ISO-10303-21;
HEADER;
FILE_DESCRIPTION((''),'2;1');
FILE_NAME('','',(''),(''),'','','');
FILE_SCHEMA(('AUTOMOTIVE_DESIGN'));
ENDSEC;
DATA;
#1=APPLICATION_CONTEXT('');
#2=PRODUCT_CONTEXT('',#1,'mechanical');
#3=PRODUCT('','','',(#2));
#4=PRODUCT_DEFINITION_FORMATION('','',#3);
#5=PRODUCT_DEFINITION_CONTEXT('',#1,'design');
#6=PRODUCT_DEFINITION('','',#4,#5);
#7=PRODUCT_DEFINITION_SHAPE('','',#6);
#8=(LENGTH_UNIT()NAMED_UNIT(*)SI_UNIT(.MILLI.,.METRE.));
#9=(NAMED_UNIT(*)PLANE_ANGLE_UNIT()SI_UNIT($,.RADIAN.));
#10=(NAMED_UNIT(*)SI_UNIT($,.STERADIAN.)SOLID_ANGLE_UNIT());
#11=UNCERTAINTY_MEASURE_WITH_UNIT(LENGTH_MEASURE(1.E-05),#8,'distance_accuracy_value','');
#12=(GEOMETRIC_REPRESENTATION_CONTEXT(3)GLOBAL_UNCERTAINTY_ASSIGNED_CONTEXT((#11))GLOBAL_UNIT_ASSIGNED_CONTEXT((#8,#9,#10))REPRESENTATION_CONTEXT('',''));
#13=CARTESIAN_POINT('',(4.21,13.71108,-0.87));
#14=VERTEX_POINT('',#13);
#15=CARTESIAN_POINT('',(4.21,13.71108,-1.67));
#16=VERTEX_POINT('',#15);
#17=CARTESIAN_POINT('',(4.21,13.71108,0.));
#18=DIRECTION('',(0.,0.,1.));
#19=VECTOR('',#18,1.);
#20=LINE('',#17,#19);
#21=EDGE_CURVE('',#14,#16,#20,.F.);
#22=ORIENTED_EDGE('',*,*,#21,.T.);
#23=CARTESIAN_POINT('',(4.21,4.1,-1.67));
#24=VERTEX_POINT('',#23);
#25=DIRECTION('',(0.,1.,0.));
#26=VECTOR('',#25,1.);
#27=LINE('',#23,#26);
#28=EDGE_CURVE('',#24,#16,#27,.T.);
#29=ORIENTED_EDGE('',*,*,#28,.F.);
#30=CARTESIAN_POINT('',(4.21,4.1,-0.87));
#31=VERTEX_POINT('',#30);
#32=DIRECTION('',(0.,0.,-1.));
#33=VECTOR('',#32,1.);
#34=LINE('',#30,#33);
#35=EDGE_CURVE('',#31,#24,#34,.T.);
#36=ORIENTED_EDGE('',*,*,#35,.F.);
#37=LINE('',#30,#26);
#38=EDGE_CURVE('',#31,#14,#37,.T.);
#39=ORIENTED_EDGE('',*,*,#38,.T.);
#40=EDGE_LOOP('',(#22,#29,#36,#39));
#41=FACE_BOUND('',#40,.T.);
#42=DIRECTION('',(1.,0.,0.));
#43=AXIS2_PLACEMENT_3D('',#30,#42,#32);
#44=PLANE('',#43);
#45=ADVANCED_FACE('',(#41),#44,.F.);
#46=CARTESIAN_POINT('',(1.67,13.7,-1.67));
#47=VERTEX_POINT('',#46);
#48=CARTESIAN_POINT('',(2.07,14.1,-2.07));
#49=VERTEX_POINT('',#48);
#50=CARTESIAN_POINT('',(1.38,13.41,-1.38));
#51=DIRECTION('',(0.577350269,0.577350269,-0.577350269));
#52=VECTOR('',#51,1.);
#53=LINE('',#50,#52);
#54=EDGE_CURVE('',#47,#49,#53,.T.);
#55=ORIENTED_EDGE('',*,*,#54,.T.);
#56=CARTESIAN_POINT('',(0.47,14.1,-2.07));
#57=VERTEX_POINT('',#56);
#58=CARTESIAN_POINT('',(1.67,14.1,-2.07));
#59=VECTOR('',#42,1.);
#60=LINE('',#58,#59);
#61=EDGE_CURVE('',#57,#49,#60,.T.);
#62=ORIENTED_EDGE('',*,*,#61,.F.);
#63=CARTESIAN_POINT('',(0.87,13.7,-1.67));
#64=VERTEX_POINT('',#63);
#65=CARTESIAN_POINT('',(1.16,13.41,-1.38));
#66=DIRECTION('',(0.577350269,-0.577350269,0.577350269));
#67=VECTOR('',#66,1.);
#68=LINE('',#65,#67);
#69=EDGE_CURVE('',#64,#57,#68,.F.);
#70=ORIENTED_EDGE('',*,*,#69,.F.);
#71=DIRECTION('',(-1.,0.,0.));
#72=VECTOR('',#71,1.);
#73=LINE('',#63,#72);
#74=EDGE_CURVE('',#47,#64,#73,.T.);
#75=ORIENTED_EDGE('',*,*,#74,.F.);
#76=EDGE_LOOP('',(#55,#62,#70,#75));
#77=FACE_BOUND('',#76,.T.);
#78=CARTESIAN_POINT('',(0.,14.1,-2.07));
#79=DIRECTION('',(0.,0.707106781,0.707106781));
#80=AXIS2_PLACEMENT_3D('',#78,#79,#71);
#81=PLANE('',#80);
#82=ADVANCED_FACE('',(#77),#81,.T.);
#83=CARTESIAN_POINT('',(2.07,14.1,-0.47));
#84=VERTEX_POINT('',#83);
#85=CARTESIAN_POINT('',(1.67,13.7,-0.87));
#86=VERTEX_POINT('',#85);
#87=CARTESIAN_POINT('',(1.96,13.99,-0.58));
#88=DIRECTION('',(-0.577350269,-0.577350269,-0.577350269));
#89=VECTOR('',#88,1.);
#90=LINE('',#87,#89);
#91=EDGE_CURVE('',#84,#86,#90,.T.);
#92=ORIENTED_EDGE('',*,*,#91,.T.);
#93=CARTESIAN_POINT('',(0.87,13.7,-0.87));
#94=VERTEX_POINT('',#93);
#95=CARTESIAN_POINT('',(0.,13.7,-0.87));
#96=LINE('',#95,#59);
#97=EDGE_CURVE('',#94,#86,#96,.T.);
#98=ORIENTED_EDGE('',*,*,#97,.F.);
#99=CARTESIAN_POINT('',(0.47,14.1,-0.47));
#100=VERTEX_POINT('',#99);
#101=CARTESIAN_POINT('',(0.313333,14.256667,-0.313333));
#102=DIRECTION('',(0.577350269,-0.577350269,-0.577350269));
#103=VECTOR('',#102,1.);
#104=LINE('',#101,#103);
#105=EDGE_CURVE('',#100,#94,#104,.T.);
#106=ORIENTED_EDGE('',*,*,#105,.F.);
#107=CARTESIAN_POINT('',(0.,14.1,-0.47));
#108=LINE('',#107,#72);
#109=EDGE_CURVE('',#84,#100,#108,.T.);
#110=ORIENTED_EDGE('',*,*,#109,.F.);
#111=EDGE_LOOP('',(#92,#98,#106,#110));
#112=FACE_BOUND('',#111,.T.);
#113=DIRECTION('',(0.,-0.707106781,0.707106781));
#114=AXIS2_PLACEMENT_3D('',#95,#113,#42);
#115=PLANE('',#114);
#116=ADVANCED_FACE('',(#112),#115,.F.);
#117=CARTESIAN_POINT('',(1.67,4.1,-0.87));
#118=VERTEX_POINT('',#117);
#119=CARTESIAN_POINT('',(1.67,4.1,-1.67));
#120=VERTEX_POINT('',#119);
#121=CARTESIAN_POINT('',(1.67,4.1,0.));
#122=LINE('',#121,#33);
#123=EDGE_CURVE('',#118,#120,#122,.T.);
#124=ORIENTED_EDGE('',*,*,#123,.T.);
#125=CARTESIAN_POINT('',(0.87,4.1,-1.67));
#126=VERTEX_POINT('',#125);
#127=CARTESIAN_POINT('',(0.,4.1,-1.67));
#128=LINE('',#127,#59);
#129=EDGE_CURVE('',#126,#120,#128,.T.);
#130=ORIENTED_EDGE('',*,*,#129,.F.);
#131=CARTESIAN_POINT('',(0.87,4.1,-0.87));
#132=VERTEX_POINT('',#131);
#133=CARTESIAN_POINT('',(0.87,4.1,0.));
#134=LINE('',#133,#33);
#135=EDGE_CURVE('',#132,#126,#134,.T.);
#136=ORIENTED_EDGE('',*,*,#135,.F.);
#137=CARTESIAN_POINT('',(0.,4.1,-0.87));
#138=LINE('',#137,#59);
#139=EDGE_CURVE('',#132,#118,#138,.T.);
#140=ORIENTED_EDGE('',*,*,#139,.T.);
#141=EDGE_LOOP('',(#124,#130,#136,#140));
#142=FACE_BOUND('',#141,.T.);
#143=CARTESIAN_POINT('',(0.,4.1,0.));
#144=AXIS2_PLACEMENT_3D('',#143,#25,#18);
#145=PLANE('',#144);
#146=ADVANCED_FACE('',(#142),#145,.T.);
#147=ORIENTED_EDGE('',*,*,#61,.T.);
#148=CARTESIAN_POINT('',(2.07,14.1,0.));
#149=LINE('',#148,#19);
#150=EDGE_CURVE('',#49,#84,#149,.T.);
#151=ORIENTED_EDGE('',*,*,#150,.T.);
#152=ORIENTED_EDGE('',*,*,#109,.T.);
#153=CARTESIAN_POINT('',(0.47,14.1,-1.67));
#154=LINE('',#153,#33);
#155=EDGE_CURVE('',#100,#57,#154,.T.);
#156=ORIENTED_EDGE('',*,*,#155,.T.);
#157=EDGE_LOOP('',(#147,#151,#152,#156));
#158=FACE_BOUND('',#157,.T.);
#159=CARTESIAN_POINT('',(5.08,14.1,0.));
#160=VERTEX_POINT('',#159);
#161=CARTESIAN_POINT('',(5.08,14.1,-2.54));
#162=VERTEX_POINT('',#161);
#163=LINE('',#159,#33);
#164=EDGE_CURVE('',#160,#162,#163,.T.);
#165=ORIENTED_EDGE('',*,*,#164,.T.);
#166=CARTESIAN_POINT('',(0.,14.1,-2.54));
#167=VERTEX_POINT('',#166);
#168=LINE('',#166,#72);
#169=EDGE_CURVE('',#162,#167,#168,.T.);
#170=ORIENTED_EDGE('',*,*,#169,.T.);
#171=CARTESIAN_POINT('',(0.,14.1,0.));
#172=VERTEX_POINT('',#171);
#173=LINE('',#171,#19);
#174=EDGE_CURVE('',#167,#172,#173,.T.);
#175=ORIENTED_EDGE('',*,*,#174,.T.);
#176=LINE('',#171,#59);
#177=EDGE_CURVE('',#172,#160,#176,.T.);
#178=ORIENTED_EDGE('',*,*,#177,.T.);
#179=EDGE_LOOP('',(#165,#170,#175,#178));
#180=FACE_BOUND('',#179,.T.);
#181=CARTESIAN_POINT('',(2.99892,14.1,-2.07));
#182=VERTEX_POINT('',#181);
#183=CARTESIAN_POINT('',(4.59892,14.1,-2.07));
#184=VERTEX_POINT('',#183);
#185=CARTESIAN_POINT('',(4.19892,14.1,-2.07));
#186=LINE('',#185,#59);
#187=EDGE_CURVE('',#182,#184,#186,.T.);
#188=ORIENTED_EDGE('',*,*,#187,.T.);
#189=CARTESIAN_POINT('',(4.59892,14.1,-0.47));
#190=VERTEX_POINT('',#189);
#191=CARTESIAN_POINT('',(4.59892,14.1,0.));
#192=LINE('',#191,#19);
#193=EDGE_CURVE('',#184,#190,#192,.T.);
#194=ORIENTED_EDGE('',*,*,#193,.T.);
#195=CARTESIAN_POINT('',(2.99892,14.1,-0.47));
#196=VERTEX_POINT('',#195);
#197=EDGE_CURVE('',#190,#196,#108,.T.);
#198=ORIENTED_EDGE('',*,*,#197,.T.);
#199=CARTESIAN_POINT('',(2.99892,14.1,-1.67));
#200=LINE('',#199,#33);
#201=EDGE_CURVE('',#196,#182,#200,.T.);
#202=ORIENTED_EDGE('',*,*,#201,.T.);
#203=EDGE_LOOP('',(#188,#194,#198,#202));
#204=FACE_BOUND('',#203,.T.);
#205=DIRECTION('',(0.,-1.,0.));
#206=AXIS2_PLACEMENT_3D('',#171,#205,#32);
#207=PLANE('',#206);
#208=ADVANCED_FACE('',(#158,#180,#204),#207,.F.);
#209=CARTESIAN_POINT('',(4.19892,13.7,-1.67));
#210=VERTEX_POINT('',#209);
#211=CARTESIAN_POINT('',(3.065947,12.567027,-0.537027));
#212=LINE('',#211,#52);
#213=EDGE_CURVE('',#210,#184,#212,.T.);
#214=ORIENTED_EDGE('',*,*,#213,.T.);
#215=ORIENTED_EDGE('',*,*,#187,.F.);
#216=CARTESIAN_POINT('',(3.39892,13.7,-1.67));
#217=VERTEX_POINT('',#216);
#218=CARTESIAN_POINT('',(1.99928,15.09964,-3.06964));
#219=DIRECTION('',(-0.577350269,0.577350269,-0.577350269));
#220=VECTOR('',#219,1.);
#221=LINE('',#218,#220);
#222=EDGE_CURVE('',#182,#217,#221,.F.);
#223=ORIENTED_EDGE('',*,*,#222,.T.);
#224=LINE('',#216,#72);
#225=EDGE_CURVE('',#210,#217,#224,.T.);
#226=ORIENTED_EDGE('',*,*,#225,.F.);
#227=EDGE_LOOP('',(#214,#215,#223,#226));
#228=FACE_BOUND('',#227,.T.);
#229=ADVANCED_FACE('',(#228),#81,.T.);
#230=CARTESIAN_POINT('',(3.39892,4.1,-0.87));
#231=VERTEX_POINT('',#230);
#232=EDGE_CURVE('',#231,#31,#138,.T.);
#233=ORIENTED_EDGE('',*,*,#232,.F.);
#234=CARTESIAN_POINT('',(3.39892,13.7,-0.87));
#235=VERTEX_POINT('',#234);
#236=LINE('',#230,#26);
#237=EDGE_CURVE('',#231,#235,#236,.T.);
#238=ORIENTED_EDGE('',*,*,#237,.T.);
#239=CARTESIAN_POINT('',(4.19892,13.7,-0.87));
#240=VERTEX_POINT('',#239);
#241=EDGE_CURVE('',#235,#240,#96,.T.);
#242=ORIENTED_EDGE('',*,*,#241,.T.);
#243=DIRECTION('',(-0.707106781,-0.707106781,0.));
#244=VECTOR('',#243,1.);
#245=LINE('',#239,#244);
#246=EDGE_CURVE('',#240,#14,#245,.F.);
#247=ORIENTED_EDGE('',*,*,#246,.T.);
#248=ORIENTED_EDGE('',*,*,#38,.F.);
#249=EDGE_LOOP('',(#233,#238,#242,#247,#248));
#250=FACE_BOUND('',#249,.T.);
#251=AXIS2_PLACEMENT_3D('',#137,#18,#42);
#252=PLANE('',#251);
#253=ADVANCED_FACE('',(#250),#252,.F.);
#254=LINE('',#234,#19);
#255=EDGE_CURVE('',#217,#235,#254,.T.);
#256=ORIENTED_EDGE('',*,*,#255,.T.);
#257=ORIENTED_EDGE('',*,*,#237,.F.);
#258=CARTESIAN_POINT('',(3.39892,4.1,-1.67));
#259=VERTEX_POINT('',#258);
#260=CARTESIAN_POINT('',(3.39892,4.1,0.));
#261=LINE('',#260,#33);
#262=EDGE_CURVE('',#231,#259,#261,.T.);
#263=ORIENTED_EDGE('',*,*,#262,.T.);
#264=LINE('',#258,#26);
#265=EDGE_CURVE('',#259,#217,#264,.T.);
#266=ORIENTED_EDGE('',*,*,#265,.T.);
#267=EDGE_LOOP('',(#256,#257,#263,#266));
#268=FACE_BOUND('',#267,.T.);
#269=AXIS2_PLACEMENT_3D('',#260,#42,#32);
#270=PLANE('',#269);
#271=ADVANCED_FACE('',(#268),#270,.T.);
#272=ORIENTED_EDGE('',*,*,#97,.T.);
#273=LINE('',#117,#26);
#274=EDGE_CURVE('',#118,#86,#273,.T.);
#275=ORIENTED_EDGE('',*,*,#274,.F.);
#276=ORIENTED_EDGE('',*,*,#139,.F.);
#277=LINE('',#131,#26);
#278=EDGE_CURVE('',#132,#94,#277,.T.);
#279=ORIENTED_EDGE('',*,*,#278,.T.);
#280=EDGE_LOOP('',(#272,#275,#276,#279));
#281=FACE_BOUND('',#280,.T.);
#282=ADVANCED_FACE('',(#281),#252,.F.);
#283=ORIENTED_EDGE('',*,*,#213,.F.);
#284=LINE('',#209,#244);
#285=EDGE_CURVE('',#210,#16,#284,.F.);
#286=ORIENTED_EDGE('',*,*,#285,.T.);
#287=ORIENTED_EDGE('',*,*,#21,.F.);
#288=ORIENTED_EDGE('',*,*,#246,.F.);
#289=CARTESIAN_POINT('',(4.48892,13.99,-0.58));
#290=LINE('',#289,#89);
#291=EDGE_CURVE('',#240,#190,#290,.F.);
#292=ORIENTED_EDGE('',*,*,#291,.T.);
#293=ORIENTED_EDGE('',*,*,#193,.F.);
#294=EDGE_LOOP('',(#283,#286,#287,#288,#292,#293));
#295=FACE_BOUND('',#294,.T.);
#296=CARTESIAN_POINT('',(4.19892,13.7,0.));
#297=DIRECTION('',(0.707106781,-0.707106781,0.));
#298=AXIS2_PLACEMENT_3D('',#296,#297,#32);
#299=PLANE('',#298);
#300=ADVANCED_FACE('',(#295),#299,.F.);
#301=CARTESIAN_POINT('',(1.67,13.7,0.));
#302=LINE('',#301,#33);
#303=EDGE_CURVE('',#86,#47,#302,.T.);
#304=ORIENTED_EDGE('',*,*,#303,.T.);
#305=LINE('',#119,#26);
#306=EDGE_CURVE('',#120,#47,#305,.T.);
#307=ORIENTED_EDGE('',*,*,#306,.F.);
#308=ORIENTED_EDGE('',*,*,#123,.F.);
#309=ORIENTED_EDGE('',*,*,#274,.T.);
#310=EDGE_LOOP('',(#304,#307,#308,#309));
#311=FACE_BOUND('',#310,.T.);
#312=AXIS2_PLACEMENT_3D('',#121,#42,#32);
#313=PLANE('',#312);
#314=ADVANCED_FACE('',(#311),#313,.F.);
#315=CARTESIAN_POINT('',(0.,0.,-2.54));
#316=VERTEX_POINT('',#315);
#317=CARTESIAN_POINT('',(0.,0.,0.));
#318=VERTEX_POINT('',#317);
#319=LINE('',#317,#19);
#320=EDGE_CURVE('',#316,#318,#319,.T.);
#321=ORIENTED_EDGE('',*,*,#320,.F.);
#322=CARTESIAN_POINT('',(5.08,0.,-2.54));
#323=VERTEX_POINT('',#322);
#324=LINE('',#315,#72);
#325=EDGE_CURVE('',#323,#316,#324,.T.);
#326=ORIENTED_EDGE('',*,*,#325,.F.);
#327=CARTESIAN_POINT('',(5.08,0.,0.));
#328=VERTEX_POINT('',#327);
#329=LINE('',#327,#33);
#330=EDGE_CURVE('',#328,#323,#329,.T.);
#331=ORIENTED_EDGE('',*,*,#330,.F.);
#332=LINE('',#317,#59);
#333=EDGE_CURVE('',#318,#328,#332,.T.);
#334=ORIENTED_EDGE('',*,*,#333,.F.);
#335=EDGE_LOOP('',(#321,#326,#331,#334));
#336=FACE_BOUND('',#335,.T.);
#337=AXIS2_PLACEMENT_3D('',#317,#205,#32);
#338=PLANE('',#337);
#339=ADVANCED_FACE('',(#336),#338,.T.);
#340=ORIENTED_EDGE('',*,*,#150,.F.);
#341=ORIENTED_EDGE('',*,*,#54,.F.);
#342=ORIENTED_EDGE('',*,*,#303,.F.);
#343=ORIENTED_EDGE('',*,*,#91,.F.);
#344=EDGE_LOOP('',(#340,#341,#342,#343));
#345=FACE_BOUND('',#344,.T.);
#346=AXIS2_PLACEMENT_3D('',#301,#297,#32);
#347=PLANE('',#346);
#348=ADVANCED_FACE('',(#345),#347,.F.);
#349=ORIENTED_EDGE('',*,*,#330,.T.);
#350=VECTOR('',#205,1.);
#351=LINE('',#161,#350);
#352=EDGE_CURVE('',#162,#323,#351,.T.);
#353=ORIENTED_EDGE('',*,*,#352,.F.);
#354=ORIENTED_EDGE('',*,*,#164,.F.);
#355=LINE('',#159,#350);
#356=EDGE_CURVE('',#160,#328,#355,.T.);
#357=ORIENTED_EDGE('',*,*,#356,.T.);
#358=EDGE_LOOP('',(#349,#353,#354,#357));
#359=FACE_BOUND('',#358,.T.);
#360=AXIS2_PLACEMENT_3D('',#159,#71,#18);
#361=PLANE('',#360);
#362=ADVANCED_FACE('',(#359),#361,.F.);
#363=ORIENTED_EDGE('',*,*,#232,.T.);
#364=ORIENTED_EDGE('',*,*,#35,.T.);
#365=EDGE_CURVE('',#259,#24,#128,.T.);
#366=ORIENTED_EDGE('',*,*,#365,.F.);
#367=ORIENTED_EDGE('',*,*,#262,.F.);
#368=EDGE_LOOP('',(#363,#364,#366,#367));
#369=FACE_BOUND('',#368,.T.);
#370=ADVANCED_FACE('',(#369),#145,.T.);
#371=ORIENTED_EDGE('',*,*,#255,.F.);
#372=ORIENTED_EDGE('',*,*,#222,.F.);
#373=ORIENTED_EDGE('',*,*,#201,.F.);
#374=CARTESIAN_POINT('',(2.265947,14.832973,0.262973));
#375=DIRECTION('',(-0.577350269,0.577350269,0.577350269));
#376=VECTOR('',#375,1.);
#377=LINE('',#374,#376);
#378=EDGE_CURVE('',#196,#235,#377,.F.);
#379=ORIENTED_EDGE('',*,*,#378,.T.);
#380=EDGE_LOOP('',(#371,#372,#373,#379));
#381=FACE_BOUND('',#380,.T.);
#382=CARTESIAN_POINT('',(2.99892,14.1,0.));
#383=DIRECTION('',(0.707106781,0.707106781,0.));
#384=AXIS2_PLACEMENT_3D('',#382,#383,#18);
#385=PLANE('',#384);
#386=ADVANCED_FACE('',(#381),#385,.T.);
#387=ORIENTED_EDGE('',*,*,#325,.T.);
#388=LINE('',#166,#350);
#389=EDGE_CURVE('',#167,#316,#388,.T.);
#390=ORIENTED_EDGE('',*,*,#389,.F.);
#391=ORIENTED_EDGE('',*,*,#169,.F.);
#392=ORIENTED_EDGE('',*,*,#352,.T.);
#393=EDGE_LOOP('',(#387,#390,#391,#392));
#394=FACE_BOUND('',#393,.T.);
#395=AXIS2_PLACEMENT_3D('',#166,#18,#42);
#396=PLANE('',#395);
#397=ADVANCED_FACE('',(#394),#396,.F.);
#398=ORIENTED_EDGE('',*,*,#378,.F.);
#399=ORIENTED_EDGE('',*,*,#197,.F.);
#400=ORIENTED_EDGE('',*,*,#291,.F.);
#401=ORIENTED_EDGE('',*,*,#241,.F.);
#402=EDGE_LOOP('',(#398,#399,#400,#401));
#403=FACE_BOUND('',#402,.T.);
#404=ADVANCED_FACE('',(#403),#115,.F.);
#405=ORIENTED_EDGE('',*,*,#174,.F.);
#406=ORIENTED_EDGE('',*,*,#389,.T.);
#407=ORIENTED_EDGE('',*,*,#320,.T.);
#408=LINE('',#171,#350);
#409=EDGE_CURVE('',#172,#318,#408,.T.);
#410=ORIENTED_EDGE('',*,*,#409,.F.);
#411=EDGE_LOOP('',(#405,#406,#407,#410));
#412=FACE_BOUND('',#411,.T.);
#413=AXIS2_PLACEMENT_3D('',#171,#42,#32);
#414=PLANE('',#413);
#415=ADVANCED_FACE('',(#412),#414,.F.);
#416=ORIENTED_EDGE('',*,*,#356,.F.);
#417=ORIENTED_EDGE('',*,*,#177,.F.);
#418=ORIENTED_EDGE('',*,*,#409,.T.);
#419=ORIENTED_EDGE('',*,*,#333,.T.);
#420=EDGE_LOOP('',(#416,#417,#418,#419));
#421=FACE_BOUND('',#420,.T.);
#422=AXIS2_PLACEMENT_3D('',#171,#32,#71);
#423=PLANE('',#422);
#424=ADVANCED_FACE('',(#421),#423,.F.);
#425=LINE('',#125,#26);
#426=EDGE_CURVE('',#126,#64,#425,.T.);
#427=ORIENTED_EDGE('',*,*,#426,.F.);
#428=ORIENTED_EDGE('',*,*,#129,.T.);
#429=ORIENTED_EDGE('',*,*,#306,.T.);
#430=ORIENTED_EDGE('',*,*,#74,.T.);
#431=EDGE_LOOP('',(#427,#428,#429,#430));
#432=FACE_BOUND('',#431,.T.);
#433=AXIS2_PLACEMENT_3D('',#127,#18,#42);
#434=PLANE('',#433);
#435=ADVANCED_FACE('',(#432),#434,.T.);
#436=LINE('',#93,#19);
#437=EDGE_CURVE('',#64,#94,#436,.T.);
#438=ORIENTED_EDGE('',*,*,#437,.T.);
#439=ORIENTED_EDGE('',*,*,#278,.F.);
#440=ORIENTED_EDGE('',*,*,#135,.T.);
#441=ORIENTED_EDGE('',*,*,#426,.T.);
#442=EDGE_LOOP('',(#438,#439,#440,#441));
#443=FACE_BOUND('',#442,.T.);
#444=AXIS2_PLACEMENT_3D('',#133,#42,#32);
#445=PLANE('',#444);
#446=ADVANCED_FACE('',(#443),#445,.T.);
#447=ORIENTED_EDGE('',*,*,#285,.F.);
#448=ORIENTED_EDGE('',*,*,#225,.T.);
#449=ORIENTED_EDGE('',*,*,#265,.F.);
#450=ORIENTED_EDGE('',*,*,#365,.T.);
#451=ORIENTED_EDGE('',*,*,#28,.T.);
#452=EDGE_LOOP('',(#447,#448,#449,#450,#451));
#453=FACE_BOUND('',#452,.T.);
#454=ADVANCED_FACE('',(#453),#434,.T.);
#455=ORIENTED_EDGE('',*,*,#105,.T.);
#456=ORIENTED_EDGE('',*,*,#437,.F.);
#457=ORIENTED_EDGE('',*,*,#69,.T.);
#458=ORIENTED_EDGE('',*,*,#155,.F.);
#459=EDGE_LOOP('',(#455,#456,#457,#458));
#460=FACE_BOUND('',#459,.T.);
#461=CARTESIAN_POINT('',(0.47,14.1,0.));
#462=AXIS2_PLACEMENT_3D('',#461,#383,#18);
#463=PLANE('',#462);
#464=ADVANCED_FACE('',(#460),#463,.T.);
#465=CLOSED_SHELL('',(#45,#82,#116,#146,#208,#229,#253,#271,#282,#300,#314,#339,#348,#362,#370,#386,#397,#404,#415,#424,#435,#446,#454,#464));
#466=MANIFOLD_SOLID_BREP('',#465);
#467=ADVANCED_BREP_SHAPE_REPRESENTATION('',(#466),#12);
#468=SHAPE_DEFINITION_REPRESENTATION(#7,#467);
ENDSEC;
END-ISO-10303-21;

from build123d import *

# Parameters (mm, degrees)
SKETCH_1_W          = 5.08
SKETCH_1_H          = 2.54
EXTRUDE_1_DEPTH     = 14.1
SKETCH_5_W          = 0.8
SKETCH_5_H          = 0.8
CUT_EXTRUDE_5_DEPTH = 10
CHAMFER_5_SIZE      = 0.4
SKETCH_2_W          = 0.8
SKETCH_2_H          = 0.8
CUT_EXTRUDE_2_DEPTH = 10


with BuildPart() as part:
    # Эскиз1 → Бобышка-Вытянуть1 (new body)
    with BuildSketch(Plane(origin=(0, 0, 0), x_dir=(1, 0, 0), z_dir=(0, 1, 0))):
        with Locations((2.54, 1.27)):
            Rectangle(SKETCH_1_W, SKETCH_1_H)
    extrude(amount=EXTRUDE_1_DEPTH)

    # Эскиз5 → Вырез-Вытянуть5 (cut)
    with BuildSketch(Plane(origin=(0, 14.1, 0), x_dir=(1, 0, 0), z_dir=(0, 1, 0))):
        with Locations((1.27, 1.27)):
            Rectangle(SKETCH_5_W, SKETCH_5_H)
        with Locations((3.79891982, 1.27)):
            Rectangle(SKETCH_5_W, SKETCH_5_H)
    extrude(amount=-CUT_EXTRUDE_5_DEPTH, mode=Mode.SUBTRACT)

    # Фаска5
    chamfer_5_edges = [part.edges().sort_by_distance(p)[0] for p in [
        (0.87, 14.1, -1.27),
        (1.27, 14.1, -1.67),
        (1.27, 14.1, -0.87),
        (1.67, 14.1, -1.27),
        (3.39891982, 14.1, -1.27),
        (3.79891982, 14.1, -1.67),
        (3.79891982, 14.1, -0.87),
        (4.19891982, 14.1, -1.27),
    ]]
    chamfer(chamfer_5_edges, length=CHAMFER_5_SIZE)

    # Эскиз2 → Вырез-Вытянуть2 (cut)
    with BuildSketch(Plane(origin=(0, 14.1, 0), x_dir=(1, 0, 0), z_dir=(0, 1, 0))):
        with Locations((1.27, 1.27)):
            Rectangle(SKETCH_2_W, SKETCH_2_H)
        with Locations((3.81, 1.27)):
            Rectangle(SKETCH_2_W, SKETCH_2_H)
    extrude(amount=-CUT_EXTRUDE_2_DEPTH, mode=Mode.SUBTRACT)


solid = part.part
